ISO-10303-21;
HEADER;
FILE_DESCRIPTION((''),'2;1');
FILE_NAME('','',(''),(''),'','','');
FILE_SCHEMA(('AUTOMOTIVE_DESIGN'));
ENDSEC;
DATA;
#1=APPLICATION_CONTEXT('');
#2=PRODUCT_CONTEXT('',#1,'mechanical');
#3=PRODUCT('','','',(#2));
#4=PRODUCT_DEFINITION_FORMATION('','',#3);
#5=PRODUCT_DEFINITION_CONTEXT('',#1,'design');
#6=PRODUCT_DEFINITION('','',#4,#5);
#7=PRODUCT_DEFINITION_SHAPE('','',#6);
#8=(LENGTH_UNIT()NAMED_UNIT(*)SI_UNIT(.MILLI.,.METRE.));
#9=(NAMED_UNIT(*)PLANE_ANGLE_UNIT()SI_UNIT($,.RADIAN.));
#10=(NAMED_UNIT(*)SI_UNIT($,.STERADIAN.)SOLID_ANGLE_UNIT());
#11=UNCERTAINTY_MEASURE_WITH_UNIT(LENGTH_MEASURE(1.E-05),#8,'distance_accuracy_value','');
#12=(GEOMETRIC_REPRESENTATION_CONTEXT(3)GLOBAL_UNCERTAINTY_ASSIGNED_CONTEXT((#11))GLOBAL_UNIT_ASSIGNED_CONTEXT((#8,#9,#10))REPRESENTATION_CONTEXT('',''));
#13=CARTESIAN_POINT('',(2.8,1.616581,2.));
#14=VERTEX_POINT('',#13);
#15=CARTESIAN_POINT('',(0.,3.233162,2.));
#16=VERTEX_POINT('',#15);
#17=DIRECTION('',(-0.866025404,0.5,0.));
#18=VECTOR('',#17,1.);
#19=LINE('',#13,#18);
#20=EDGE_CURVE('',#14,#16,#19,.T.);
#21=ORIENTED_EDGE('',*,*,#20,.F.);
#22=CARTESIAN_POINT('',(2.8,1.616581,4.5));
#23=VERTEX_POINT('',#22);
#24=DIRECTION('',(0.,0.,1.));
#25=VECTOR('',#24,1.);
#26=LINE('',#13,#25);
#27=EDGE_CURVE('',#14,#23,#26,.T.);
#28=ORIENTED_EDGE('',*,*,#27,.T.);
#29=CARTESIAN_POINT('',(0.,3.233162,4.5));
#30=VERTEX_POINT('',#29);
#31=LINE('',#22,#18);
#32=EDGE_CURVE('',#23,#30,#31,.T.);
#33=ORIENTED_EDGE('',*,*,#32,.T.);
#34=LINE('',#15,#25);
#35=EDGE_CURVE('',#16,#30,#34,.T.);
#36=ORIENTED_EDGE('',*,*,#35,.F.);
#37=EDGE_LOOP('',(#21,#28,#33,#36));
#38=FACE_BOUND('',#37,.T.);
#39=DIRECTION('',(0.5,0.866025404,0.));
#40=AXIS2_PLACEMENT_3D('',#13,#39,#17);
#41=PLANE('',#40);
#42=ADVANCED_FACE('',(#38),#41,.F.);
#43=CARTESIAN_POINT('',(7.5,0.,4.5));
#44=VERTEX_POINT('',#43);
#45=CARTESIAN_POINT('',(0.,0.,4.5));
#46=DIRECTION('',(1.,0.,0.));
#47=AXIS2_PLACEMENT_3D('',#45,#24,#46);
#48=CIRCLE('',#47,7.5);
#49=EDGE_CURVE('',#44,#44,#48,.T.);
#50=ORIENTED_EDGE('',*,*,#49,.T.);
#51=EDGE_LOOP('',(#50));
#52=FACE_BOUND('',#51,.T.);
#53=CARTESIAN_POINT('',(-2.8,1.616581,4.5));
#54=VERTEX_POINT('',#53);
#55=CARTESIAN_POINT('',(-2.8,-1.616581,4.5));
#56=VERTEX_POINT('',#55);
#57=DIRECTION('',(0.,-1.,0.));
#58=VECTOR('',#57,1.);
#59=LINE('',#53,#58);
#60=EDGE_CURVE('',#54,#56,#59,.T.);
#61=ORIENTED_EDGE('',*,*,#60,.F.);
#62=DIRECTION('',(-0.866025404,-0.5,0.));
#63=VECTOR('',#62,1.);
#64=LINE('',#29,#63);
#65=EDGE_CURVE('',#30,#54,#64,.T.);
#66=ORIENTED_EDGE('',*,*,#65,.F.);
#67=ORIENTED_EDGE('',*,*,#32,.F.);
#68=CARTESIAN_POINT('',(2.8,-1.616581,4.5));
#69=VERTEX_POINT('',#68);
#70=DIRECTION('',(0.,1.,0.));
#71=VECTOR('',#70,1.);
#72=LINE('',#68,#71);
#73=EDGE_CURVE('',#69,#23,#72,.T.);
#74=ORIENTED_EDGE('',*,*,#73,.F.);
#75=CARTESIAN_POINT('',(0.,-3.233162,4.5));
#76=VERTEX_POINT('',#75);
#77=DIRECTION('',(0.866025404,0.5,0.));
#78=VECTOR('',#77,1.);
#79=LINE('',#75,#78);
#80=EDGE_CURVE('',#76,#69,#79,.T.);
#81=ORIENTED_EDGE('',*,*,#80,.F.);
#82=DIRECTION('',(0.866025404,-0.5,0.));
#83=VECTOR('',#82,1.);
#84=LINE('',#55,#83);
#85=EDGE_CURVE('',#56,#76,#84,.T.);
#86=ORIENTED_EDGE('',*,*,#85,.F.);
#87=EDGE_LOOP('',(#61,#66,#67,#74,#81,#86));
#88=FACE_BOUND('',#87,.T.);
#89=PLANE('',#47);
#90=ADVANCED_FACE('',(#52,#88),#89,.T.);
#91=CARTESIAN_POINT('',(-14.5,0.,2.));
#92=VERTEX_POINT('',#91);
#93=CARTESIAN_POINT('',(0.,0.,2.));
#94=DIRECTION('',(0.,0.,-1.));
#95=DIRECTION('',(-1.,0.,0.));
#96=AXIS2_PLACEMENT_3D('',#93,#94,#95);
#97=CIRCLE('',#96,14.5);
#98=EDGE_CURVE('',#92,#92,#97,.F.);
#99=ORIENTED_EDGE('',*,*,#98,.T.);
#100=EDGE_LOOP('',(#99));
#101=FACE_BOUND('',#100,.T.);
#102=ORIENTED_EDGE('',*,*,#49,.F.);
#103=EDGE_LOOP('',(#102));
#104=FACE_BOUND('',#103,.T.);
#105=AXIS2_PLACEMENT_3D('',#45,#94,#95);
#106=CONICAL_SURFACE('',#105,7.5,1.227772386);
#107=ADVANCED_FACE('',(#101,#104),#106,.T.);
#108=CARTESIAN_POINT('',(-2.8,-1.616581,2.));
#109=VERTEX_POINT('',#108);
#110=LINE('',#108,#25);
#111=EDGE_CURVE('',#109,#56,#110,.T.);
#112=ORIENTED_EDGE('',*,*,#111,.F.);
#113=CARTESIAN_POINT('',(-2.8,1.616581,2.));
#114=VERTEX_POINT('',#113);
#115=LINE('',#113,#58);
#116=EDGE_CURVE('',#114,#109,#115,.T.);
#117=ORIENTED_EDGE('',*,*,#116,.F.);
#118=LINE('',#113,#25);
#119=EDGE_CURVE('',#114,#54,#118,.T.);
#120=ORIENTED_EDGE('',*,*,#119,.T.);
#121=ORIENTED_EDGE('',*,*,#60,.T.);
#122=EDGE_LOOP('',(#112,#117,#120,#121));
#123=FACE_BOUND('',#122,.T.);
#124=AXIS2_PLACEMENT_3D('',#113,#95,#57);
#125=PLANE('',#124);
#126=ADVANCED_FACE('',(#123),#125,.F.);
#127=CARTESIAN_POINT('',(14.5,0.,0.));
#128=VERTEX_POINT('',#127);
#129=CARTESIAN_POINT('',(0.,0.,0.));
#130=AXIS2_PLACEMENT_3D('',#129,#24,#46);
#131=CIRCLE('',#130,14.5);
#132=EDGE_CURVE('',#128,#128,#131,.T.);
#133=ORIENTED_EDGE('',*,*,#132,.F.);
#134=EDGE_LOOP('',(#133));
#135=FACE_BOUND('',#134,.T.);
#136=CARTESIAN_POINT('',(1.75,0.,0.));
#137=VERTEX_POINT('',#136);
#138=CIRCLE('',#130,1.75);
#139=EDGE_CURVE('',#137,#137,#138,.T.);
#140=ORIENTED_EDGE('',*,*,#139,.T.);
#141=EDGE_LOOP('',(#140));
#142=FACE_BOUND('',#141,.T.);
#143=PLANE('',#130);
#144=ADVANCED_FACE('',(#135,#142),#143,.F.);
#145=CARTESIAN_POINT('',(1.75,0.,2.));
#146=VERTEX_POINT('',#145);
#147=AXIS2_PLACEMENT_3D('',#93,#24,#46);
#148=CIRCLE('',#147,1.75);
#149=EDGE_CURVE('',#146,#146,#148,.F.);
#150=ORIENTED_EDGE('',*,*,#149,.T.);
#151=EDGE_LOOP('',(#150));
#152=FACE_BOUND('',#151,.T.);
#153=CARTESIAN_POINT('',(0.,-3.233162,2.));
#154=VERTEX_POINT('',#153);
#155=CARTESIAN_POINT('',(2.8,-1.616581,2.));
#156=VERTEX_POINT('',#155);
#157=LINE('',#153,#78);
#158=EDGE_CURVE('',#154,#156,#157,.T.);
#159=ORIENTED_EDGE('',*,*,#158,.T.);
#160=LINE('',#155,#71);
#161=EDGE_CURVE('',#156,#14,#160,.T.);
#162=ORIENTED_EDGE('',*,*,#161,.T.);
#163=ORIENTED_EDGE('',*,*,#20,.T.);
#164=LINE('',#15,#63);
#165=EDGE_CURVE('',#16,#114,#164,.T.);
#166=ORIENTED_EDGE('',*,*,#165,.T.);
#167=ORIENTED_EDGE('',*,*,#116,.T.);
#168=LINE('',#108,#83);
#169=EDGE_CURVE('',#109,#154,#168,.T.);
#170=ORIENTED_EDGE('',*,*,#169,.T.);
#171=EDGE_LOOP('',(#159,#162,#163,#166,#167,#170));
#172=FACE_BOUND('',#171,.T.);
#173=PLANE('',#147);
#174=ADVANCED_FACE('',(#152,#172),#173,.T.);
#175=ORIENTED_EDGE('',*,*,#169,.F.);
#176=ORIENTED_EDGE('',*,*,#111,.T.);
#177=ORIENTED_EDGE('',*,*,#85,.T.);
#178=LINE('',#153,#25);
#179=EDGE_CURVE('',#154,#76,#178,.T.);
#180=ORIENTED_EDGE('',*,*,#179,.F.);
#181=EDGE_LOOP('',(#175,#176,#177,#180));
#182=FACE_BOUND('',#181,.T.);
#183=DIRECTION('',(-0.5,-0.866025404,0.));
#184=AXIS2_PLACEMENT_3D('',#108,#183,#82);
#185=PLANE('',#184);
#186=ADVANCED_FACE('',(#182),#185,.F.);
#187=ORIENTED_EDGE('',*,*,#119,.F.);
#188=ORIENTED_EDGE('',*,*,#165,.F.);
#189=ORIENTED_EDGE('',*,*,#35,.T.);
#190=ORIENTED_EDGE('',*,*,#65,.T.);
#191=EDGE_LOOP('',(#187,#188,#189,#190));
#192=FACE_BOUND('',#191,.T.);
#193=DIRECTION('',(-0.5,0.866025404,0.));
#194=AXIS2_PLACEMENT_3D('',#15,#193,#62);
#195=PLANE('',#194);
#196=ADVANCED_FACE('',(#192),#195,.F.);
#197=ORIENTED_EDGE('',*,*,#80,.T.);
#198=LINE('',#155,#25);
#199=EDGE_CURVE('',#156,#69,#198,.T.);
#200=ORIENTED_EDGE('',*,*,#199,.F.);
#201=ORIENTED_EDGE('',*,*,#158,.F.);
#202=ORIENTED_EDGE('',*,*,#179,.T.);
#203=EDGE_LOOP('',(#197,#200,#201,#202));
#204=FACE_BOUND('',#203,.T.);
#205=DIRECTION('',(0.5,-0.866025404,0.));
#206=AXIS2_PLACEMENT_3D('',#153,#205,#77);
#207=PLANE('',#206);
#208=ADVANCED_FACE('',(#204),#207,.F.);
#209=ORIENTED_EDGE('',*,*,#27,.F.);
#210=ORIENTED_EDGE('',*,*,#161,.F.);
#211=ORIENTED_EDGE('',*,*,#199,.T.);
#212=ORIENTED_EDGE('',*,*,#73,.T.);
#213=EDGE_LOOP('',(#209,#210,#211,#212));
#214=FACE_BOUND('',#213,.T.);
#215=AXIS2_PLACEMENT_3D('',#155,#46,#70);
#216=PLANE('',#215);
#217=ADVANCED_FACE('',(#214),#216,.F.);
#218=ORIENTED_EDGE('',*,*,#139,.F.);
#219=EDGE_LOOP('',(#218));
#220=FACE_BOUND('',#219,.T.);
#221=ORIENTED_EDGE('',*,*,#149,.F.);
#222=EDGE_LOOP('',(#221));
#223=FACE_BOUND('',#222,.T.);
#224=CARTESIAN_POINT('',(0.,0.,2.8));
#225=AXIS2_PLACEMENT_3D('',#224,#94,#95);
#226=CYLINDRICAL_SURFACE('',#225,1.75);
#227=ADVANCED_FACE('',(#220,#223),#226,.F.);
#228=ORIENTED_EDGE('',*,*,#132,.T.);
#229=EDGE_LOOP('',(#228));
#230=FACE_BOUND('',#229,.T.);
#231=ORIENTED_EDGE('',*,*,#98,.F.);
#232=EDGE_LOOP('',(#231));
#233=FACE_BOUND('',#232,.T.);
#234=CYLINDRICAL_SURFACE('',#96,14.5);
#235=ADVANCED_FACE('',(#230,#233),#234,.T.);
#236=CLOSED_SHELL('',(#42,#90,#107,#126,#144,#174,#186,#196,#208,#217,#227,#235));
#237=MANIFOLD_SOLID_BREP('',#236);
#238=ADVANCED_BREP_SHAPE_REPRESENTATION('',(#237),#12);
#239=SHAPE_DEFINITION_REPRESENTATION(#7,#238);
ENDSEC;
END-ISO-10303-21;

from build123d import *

# Parameters (mm, degrees)
SKETCH_1_R          = 14.5
EXTRUDE_1_DEPTH     = 2
SKETCH_2_R          = 7.5
CUT_EXTRUDE_2_DEPTH = 2.5
SKETCH_1_4_R        = 1.75
CUT_EXTRUDE_1_DEPTH = 2.8


with BuildPart() as part:
    # Эскиз1 → Бобышка-Вытянуть1 (new body)
    with BuildSketch(Plane.XY):
        Circle(SKETCH_1_R)
    extrude(amount=EXTRUDE_1_DEPTH)

    # Эскиз2 → section 1 of loft_1
    with BuildSketch(Plane.XY.offset(4.5), mode=Mode.PRIVATE) as loft_1_s1:
        Circle(SKETCH_2_R)
    # loft from a face of the part (loft_1)
    loft([part.faces().sort_by_distance((0, 0, 2))[0], loft_1_s1.sketch])

    # Эскиз2<4> → Вырез-Вытянуть2 (cut)
    with BuildSketch(Plane.XY.offset(4.5)):
        Polygon((0, 3.233161507), (-2.8, 1.616580754), (-2.8, -1.616580754), (0, -3.233161507), (2.8, -1.616580754), (2.8, 1.616580754), align=None)
    extrude(amount=-CUT_EXTRUDE_2_DEPTH, mode=Mode.SUBTRACT)

    # Эскиз1<4> → Вырез-Вытянуть1 (cut)
    with BuildSketch(Plane.XY):
        Circle(SKETCH_1_4_R)
    extrude(amount=CUT_EXTRUDE_1_DEPTH, mode=Mode.SUBTRACT)


solid = part.part
